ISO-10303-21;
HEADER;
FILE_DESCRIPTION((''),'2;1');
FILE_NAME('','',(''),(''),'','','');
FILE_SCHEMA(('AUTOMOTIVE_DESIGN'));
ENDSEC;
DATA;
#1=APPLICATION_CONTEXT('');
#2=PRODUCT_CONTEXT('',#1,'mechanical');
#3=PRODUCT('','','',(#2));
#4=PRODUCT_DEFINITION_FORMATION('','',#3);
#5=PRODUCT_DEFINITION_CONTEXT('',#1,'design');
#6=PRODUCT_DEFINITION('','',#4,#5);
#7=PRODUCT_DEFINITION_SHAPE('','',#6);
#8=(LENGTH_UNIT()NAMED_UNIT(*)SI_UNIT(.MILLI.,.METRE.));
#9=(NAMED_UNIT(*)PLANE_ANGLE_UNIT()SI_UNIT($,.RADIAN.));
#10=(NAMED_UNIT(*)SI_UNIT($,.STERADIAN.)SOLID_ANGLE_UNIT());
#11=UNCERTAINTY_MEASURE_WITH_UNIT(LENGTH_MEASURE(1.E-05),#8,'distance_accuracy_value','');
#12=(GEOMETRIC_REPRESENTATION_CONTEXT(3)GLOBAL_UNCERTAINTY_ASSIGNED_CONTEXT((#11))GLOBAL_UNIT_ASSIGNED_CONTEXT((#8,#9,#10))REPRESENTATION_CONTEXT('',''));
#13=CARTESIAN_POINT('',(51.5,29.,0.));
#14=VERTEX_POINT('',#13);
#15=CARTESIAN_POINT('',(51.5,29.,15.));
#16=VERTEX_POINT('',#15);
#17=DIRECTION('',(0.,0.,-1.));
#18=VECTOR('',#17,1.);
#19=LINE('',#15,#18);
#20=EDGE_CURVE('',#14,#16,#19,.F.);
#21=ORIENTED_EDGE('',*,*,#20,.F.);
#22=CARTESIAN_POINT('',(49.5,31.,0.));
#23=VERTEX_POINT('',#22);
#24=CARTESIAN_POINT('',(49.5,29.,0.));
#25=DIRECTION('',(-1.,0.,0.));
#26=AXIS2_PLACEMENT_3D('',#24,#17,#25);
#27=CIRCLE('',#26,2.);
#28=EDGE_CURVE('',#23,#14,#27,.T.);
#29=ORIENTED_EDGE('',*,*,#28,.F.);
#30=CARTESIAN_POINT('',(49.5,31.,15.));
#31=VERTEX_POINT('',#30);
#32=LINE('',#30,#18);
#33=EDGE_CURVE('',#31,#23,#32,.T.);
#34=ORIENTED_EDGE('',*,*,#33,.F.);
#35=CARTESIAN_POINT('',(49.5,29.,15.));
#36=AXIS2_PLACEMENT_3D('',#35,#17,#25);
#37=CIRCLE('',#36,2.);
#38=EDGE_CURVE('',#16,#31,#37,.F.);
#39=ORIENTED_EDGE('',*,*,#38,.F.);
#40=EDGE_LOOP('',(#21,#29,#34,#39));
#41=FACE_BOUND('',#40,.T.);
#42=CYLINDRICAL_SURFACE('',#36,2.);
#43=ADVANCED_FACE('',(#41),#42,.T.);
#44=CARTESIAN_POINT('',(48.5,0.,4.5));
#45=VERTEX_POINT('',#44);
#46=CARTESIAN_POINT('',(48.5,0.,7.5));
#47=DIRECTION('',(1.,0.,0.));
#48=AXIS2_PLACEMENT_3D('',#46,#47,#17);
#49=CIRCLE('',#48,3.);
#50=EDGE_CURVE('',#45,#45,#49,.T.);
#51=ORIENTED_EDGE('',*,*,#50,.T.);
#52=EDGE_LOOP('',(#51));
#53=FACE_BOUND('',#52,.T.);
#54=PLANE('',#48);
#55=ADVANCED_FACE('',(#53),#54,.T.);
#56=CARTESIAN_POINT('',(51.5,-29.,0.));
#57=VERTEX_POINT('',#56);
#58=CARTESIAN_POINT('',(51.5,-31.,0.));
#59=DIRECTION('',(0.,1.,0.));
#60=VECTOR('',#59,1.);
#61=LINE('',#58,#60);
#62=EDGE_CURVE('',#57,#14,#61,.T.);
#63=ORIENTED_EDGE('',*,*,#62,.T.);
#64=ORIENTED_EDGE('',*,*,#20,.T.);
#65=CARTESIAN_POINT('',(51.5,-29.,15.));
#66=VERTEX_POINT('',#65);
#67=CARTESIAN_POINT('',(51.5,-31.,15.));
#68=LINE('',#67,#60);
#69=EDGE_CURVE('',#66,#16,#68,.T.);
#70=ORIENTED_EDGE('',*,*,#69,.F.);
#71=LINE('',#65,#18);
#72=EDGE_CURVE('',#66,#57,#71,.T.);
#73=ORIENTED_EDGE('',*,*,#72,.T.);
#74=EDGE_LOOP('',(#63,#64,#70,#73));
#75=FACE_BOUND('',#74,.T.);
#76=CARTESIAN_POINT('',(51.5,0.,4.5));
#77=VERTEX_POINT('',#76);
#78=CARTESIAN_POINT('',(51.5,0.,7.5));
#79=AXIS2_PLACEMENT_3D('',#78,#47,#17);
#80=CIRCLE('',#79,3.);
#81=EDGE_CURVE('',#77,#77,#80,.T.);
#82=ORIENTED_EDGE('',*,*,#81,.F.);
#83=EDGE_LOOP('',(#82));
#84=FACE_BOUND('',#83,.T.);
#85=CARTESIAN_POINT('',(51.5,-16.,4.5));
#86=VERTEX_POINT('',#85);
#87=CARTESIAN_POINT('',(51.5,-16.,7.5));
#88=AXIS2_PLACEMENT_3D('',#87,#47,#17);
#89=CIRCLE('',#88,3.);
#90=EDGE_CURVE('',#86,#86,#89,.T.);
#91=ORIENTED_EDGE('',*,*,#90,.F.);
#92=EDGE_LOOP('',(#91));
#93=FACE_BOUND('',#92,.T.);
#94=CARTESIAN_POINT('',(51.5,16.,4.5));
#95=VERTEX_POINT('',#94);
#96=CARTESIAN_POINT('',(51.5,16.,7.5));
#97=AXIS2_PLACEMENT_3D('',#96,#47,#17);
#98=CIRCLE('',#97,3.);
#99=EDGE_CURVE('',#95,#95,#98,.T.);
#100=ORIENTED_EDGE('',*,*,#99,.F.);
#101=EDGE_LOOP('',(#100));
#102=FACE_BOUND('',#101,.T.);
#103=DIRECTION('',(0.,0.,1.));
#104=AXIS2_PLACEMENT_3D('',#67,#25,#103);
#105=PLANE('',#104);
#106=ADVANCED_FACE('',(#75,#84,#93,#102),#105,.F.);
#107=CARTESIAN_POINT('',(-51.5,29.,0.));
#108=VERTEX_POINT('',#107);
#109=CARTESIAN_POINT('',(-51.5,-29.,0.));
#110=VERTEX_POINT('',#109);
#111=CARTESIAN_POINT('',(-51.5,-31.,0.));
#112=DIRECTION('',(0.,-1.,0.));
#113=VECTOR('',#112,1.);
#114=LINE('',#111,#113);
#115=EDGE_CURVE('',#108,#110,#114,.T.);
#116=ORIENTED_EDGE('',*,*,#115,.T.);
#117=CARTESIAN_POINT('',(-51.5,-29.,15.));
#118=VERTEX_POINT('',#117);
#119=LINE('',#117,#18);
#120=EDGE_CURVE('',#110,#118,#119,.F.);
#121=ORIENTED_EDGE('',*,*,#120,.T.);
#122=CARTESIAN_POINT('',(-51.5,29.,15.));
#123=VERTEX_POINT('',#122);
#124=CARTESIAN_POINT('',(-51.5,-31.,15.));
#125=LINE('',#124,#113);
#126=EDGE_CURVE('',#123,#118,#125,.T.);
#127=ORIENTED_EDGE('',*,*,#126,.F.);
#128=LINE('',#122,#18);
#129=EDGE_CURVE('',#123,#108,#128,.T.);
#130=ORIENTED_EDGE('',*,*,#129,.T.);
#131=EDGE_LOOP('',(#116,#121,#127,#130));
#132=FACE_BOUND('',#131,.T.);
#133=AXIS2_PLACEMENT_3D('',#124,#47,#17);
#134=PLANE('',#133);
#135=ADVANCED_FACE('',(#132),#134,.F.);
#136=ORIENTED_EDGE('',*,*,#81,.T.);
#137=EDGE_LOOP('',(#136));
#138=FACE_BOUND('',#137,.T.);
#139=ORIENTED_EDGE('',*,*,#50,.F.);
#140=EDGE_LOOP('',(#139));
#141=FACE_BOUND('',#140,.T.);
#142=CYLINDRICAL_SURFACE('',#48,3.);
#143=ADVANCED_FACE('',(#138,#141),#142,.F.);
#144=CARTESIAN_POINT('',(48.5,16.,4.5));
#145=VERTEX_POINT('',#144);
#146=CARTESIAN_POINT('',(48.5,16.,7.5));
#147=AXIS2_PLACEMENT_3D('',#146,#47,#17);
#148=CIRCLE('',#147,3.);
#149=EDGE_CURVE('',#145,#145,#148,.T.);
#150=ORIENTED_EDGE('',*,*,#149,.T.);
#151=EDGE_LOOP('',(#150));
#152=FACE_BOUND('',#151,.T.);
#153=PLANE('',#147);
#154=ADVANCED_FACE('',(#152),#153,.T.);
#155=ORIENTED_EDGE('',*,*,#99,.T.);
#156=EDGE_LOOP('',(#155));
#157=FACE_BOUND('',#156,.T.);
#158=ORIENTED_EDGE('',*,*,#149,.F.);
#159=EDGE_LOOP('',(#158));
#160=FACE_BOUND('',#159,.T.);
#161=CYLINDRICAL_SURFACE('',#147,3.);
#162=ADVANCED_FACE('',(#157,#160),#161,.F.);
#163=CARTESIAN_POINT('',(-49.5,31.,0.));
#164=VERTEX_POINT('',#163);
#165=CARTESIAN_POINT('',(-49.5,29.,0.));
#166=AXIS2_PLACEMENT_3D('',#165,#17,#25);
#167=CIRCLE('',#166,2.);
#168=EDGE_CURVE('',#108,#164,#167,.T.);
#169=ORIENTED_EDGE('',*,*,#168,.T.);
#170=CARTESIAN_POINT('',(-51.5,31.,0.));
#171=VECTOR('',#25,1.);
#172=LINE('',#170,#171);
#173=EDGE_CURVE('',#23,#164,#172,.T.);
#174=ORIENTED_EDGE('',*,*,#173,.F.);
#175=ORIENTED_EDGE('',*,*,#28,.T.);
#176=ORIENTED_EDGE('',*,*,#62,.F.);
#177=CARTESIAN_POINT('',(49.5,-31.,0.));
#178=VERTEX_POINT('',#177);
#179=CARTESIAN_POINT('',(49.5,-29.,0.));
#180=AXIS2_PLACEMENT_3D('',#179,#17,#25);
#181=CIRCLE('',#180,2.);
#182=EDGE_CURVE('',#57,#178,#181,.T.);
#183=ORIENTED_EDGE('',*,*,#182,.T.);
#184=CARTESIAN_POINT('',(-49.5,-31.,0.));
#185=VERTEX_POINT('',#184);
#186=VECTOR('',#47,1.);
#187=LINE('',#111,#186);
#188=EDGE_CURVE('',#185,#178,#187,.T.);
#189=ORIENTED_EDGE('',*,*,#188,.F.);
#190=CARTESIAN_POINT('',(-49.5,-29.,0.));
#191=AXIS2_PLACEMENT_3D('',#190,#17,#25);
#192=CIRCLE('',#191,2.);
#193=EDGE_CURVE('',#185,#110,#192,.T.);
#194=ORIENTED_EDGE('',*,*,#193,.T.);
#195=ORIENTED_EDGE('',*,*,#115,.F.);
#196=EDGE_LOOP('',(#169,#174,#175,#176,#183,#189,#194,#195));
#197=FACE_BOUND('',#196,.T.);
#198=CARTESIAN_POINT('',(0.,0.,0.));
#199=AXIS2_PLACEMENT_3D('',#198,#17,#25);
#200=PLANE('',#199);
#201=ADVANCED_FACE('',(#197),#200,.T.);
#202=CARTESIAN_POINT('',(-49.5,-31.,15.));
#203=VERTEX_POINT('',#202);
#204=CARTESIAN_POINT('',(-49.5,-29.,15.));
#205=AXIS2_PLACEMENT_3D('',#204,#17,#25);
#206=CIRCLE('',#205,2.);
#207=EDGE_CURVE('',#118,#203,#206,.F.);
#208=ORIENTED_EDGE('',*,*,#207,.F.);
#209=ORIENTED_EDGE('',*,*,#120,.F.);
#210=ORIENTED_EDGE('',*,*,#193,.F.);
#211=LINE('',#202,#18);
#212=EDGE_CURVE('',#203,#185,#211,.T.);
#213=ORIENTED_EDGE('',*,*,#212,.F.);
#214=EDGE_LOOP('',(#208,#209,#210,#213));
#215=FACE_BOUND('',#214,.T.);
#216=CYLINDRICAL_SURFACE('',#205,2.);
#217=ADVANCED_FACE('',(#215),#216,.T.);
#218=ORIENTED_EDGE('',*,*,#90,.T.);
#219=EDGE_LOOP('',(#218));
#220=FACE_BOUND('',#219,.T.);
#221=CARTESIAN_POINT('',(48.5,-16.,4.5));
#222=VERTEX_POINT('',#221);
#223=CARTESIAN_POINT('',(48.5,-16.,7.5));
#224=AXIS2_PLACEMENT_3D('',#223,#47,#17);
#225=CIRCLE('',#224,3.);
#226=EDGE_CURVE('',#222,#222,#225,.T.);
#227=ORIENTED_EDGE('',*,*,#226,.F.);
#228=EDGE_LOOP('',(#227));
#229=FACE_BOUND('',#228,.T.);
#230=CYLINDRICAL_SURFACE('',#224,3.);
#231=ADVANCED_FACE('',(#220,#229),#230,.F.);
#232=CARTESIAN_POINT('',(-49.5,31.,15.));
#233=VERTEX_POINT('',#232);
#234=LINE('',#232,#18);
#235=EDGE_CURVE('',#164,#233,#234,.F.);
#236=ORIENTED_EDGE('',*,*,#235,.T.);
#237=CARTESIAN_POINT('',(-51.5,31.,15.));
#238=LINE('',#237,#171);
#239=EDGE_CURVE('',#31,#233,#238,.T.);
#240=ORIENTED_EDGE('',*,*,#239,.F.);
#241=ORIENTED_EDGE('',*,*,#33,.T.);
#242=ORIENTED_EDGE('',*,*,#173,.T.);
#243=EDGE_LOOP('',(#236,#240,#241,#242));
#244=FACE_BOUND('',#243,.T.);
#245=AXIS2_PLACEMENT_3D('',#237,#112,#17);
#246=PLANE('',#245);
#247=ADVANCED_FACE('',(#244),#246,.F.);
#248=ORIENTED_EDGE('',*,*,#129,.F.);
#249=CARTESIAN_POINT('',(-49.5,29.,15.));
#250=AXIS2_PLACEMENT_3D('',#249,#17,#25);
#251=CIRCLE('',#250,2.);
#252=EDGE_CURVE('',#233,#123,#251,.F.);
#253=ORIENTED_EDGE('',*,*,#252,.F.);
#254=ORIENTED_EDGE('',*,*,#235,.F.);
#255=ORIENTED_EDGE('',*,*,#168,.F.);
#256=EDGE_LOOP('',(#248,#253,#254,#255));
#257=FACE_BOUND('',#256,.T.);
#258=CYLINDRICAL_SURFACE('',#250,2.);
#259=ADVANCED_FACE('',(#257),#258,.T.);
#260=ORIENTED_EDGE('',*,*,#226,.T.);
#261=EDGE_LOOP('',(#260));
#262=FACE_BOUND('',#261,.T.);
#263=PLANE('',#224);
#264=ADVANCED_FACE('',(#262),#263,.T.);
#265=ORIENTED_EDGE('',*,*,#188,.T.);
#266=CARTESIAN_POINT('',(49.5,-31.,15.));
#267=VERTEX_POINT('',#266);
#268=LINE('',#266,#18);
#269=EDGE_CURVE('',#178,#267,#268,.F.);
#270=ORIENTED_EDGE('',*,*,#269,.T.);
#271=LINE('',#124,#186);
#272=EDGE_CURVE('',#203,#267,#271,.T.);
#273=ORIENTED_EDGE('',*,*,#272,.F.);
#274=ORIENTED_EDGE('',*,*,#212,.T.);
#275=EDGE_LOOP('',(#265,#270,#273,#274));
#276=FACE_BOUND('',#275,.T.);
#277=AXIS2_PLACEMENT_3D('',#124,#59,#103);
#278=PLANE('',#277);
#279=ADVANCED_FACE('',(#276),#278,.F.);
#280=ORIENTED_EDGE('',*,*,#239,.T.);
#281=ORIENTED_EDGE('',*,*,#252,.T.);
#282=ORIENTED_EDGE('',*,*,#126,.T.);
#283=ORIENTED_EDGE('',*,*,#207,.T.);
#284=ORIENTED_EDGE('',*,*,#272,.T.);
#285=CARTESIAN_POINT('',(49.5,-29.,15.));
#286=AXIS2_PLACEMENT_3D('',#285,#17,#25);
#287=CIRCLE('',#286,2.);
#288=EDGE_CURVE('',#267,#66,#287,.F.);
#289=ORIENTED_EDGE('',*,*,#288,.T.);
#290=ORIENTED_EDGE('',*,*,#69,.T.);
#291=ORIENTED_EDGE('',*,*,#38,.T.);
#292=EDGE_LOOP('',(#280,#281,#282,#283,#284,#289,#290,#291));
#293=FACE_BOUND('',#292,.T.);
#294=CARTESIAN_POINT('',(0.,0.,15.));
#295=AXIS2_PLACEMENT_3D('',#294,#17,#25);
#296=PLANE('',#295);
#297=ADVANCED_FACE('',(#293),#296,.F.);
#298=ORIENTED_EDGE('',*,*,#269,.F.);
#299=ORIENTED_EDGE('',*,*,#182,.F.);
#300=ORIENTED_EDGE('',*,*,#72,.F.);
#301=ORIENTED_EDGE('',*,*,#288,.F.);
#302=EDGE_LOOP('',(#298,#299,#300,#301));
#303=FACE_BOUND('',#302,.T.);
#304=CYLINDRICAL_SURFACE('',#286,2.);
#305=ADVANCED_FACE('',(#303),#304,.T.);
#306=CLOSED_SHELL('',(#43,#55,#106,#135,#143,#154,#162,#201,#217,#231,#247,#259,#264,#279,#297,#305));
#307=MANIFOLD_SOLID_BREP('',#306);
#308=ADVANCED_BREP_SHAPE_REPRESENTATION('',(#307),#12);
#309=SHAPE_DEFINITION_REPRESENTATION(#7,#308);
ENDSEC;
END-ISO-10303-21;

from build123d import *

# Parameters (mm, degrees)
SKETCH_1_W          = 103
SKETCH_1_H          = 62
EXTRUDE_1_DEPTH     = 15
FILLET_1_R          = 2
SKETCH_2_R          = 3
CUT_EXTRUDE_1_DEPTH = 3


with BuildPart() as part:
    # 草图1 → 凸台-拉伸1 (new body)
    with BuildSketch(Plane.XY):
        Rectangle(SKETCH_1_W, SKETCH_1_H)
    extrude(amount=EXTRUDE_1_DEPTH)

    # 圆角1
    fillet_1_edges = [part.edges().sort_by_distance(p)[0] for p in [
        (51.5, -31, 7.5),
        (-51.5, -31, 7.5),
        (-51.5, 31, 7.5),
        (51.5, 31, 7.5),
    ]]
    fillet(fillet_1_edges, radius=FILLET_1_R)

    # 草图2 → 切除-拉伸1 (cut)
    with BuildSketch(Plane(origin=(51.5, 0, 0), x_dir=(0, 0, -1), z_dir=(1, 0, 0))):
        with Locations((-7.5, 0)):
            Circle(SKETCH_2_R)
        with Locations((-7.5, 16)):
            Circle(SKETCH_2_R)
        with Locations((-7.5, -16)):
            Circle(SKETCH_2_R)
    extrude(amount=-CUT_EXTRUDE_1_DEPTH, mode=Mode.SUBTRACT)


solid = part.part
